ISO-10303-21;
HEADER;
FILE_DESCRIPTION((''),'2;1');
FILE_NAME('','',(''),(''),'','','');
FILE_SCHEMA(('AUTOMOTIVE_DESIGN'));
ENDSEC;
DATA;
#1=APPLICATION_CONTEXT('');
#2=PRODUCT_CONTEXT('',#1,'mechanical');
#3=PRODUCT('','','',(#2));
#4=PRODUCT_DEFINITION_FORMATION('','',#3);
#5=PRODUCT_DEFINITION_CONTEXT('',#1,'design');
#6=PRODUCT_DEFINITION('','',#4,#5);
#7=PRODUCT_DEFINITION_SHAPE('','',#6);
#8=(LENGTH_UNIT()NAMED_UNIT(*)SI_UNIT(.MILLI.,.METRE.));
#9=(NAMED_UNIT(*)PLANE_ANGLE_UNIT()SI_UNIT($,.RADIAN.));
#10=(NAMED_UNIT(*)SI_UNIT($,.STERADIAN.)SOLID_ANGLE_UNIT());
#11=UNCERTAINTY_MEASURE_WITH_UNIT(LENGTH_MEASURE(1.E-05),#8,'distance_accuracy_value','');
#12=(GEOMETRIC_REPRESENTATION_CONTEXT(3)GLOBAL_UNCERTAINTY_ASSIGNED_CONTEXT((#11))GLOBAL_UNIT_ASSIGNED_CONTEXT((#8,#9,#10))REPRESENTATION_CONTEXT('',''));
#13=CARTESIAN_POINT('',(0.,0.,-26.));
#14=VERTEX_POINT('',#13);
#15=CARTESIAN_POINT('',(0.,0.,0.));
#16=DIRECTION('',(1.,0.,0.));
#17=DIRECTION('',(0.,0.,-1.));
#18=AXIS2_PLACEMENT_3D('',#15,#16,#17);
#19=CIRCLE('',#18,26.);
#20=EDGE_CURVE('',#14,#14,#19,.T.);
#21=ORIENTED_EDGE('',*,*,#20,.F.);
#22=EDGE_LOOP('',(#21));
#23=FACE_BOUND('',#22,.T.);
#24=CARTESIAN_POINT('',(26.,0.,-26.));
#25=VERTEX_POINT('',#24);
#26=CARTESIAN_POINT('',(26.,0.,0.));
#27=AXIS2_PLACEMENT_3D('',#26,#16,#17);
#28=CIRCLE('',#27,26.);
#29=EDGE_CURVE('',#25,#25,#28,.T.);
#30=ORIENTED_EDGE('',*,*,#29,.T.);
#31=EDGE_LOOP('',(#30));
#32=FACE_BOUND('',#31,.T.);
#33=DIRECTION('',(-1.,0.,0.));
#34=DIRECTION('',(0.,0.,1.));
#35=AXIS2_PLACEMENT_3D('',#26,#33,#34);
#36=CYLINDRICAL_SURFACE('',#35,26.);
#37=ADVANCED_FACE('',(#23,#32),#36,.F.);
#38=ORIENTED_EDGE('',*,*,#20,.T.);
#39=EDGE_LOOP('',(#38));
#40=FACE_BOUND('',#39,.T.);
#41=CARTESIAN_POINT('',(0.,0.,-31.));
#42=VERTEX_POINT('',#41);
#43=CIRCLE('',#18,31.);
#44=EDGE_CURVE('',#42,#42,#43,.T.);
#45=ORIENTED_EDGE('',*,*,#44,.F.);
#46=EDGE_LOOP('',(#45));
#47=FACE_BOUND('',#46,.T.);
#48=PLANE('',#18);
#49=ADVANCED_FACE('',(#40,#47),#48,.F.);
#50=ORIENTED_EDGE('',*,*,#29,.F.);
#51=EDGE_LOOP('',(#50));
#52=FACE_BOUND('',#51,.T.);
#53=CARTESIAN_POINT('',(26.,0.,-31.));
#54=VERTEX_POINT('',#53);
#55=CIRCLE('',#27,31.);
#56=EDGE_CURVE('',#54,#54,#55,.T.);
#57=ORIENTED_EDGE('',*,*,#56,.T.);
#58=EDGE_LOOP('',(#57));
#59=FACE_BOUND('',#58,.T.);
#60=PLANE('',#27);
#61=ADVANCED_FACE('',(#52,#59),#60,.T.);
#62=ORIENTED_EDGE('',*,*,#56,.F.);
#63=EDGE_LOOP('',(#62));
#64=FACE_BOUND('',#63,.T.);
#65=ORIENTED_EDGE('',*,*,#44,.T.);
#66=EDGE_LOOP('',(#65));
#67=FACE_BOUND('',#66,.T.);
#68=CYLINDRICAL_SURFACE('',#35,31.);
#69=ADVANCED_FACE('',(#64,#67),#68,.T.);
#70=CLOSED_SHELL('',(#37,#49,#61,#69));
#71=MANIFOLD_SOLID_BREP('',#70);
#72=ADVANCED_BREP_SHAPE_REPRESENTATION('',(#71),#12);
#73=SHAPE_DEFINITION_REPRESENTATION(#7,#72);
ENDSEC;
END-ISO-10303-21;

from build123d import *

# Parameters (mm, degrees)
SKETCH1_R           = 31
SKETCH1_R_2         = 26
BOSS_EXTRUDE1_DEPTH = 26


with BuildPart() as part:
    # Sketch1 → Boss-Extrude1 (new body)
    with BuildSketch(Plane(origin=(0, 0, 0), x_dir=(0, 0, -1), z_dir=(1, 0, 0))):
        Circle(SKETCH1_R)
        Circle(SKETCH1_R_2, mode=Mode.SUBTRACT)
    extrude(amount=BOSS_EXTRUDE1_DEPTH)


solid = part.part
